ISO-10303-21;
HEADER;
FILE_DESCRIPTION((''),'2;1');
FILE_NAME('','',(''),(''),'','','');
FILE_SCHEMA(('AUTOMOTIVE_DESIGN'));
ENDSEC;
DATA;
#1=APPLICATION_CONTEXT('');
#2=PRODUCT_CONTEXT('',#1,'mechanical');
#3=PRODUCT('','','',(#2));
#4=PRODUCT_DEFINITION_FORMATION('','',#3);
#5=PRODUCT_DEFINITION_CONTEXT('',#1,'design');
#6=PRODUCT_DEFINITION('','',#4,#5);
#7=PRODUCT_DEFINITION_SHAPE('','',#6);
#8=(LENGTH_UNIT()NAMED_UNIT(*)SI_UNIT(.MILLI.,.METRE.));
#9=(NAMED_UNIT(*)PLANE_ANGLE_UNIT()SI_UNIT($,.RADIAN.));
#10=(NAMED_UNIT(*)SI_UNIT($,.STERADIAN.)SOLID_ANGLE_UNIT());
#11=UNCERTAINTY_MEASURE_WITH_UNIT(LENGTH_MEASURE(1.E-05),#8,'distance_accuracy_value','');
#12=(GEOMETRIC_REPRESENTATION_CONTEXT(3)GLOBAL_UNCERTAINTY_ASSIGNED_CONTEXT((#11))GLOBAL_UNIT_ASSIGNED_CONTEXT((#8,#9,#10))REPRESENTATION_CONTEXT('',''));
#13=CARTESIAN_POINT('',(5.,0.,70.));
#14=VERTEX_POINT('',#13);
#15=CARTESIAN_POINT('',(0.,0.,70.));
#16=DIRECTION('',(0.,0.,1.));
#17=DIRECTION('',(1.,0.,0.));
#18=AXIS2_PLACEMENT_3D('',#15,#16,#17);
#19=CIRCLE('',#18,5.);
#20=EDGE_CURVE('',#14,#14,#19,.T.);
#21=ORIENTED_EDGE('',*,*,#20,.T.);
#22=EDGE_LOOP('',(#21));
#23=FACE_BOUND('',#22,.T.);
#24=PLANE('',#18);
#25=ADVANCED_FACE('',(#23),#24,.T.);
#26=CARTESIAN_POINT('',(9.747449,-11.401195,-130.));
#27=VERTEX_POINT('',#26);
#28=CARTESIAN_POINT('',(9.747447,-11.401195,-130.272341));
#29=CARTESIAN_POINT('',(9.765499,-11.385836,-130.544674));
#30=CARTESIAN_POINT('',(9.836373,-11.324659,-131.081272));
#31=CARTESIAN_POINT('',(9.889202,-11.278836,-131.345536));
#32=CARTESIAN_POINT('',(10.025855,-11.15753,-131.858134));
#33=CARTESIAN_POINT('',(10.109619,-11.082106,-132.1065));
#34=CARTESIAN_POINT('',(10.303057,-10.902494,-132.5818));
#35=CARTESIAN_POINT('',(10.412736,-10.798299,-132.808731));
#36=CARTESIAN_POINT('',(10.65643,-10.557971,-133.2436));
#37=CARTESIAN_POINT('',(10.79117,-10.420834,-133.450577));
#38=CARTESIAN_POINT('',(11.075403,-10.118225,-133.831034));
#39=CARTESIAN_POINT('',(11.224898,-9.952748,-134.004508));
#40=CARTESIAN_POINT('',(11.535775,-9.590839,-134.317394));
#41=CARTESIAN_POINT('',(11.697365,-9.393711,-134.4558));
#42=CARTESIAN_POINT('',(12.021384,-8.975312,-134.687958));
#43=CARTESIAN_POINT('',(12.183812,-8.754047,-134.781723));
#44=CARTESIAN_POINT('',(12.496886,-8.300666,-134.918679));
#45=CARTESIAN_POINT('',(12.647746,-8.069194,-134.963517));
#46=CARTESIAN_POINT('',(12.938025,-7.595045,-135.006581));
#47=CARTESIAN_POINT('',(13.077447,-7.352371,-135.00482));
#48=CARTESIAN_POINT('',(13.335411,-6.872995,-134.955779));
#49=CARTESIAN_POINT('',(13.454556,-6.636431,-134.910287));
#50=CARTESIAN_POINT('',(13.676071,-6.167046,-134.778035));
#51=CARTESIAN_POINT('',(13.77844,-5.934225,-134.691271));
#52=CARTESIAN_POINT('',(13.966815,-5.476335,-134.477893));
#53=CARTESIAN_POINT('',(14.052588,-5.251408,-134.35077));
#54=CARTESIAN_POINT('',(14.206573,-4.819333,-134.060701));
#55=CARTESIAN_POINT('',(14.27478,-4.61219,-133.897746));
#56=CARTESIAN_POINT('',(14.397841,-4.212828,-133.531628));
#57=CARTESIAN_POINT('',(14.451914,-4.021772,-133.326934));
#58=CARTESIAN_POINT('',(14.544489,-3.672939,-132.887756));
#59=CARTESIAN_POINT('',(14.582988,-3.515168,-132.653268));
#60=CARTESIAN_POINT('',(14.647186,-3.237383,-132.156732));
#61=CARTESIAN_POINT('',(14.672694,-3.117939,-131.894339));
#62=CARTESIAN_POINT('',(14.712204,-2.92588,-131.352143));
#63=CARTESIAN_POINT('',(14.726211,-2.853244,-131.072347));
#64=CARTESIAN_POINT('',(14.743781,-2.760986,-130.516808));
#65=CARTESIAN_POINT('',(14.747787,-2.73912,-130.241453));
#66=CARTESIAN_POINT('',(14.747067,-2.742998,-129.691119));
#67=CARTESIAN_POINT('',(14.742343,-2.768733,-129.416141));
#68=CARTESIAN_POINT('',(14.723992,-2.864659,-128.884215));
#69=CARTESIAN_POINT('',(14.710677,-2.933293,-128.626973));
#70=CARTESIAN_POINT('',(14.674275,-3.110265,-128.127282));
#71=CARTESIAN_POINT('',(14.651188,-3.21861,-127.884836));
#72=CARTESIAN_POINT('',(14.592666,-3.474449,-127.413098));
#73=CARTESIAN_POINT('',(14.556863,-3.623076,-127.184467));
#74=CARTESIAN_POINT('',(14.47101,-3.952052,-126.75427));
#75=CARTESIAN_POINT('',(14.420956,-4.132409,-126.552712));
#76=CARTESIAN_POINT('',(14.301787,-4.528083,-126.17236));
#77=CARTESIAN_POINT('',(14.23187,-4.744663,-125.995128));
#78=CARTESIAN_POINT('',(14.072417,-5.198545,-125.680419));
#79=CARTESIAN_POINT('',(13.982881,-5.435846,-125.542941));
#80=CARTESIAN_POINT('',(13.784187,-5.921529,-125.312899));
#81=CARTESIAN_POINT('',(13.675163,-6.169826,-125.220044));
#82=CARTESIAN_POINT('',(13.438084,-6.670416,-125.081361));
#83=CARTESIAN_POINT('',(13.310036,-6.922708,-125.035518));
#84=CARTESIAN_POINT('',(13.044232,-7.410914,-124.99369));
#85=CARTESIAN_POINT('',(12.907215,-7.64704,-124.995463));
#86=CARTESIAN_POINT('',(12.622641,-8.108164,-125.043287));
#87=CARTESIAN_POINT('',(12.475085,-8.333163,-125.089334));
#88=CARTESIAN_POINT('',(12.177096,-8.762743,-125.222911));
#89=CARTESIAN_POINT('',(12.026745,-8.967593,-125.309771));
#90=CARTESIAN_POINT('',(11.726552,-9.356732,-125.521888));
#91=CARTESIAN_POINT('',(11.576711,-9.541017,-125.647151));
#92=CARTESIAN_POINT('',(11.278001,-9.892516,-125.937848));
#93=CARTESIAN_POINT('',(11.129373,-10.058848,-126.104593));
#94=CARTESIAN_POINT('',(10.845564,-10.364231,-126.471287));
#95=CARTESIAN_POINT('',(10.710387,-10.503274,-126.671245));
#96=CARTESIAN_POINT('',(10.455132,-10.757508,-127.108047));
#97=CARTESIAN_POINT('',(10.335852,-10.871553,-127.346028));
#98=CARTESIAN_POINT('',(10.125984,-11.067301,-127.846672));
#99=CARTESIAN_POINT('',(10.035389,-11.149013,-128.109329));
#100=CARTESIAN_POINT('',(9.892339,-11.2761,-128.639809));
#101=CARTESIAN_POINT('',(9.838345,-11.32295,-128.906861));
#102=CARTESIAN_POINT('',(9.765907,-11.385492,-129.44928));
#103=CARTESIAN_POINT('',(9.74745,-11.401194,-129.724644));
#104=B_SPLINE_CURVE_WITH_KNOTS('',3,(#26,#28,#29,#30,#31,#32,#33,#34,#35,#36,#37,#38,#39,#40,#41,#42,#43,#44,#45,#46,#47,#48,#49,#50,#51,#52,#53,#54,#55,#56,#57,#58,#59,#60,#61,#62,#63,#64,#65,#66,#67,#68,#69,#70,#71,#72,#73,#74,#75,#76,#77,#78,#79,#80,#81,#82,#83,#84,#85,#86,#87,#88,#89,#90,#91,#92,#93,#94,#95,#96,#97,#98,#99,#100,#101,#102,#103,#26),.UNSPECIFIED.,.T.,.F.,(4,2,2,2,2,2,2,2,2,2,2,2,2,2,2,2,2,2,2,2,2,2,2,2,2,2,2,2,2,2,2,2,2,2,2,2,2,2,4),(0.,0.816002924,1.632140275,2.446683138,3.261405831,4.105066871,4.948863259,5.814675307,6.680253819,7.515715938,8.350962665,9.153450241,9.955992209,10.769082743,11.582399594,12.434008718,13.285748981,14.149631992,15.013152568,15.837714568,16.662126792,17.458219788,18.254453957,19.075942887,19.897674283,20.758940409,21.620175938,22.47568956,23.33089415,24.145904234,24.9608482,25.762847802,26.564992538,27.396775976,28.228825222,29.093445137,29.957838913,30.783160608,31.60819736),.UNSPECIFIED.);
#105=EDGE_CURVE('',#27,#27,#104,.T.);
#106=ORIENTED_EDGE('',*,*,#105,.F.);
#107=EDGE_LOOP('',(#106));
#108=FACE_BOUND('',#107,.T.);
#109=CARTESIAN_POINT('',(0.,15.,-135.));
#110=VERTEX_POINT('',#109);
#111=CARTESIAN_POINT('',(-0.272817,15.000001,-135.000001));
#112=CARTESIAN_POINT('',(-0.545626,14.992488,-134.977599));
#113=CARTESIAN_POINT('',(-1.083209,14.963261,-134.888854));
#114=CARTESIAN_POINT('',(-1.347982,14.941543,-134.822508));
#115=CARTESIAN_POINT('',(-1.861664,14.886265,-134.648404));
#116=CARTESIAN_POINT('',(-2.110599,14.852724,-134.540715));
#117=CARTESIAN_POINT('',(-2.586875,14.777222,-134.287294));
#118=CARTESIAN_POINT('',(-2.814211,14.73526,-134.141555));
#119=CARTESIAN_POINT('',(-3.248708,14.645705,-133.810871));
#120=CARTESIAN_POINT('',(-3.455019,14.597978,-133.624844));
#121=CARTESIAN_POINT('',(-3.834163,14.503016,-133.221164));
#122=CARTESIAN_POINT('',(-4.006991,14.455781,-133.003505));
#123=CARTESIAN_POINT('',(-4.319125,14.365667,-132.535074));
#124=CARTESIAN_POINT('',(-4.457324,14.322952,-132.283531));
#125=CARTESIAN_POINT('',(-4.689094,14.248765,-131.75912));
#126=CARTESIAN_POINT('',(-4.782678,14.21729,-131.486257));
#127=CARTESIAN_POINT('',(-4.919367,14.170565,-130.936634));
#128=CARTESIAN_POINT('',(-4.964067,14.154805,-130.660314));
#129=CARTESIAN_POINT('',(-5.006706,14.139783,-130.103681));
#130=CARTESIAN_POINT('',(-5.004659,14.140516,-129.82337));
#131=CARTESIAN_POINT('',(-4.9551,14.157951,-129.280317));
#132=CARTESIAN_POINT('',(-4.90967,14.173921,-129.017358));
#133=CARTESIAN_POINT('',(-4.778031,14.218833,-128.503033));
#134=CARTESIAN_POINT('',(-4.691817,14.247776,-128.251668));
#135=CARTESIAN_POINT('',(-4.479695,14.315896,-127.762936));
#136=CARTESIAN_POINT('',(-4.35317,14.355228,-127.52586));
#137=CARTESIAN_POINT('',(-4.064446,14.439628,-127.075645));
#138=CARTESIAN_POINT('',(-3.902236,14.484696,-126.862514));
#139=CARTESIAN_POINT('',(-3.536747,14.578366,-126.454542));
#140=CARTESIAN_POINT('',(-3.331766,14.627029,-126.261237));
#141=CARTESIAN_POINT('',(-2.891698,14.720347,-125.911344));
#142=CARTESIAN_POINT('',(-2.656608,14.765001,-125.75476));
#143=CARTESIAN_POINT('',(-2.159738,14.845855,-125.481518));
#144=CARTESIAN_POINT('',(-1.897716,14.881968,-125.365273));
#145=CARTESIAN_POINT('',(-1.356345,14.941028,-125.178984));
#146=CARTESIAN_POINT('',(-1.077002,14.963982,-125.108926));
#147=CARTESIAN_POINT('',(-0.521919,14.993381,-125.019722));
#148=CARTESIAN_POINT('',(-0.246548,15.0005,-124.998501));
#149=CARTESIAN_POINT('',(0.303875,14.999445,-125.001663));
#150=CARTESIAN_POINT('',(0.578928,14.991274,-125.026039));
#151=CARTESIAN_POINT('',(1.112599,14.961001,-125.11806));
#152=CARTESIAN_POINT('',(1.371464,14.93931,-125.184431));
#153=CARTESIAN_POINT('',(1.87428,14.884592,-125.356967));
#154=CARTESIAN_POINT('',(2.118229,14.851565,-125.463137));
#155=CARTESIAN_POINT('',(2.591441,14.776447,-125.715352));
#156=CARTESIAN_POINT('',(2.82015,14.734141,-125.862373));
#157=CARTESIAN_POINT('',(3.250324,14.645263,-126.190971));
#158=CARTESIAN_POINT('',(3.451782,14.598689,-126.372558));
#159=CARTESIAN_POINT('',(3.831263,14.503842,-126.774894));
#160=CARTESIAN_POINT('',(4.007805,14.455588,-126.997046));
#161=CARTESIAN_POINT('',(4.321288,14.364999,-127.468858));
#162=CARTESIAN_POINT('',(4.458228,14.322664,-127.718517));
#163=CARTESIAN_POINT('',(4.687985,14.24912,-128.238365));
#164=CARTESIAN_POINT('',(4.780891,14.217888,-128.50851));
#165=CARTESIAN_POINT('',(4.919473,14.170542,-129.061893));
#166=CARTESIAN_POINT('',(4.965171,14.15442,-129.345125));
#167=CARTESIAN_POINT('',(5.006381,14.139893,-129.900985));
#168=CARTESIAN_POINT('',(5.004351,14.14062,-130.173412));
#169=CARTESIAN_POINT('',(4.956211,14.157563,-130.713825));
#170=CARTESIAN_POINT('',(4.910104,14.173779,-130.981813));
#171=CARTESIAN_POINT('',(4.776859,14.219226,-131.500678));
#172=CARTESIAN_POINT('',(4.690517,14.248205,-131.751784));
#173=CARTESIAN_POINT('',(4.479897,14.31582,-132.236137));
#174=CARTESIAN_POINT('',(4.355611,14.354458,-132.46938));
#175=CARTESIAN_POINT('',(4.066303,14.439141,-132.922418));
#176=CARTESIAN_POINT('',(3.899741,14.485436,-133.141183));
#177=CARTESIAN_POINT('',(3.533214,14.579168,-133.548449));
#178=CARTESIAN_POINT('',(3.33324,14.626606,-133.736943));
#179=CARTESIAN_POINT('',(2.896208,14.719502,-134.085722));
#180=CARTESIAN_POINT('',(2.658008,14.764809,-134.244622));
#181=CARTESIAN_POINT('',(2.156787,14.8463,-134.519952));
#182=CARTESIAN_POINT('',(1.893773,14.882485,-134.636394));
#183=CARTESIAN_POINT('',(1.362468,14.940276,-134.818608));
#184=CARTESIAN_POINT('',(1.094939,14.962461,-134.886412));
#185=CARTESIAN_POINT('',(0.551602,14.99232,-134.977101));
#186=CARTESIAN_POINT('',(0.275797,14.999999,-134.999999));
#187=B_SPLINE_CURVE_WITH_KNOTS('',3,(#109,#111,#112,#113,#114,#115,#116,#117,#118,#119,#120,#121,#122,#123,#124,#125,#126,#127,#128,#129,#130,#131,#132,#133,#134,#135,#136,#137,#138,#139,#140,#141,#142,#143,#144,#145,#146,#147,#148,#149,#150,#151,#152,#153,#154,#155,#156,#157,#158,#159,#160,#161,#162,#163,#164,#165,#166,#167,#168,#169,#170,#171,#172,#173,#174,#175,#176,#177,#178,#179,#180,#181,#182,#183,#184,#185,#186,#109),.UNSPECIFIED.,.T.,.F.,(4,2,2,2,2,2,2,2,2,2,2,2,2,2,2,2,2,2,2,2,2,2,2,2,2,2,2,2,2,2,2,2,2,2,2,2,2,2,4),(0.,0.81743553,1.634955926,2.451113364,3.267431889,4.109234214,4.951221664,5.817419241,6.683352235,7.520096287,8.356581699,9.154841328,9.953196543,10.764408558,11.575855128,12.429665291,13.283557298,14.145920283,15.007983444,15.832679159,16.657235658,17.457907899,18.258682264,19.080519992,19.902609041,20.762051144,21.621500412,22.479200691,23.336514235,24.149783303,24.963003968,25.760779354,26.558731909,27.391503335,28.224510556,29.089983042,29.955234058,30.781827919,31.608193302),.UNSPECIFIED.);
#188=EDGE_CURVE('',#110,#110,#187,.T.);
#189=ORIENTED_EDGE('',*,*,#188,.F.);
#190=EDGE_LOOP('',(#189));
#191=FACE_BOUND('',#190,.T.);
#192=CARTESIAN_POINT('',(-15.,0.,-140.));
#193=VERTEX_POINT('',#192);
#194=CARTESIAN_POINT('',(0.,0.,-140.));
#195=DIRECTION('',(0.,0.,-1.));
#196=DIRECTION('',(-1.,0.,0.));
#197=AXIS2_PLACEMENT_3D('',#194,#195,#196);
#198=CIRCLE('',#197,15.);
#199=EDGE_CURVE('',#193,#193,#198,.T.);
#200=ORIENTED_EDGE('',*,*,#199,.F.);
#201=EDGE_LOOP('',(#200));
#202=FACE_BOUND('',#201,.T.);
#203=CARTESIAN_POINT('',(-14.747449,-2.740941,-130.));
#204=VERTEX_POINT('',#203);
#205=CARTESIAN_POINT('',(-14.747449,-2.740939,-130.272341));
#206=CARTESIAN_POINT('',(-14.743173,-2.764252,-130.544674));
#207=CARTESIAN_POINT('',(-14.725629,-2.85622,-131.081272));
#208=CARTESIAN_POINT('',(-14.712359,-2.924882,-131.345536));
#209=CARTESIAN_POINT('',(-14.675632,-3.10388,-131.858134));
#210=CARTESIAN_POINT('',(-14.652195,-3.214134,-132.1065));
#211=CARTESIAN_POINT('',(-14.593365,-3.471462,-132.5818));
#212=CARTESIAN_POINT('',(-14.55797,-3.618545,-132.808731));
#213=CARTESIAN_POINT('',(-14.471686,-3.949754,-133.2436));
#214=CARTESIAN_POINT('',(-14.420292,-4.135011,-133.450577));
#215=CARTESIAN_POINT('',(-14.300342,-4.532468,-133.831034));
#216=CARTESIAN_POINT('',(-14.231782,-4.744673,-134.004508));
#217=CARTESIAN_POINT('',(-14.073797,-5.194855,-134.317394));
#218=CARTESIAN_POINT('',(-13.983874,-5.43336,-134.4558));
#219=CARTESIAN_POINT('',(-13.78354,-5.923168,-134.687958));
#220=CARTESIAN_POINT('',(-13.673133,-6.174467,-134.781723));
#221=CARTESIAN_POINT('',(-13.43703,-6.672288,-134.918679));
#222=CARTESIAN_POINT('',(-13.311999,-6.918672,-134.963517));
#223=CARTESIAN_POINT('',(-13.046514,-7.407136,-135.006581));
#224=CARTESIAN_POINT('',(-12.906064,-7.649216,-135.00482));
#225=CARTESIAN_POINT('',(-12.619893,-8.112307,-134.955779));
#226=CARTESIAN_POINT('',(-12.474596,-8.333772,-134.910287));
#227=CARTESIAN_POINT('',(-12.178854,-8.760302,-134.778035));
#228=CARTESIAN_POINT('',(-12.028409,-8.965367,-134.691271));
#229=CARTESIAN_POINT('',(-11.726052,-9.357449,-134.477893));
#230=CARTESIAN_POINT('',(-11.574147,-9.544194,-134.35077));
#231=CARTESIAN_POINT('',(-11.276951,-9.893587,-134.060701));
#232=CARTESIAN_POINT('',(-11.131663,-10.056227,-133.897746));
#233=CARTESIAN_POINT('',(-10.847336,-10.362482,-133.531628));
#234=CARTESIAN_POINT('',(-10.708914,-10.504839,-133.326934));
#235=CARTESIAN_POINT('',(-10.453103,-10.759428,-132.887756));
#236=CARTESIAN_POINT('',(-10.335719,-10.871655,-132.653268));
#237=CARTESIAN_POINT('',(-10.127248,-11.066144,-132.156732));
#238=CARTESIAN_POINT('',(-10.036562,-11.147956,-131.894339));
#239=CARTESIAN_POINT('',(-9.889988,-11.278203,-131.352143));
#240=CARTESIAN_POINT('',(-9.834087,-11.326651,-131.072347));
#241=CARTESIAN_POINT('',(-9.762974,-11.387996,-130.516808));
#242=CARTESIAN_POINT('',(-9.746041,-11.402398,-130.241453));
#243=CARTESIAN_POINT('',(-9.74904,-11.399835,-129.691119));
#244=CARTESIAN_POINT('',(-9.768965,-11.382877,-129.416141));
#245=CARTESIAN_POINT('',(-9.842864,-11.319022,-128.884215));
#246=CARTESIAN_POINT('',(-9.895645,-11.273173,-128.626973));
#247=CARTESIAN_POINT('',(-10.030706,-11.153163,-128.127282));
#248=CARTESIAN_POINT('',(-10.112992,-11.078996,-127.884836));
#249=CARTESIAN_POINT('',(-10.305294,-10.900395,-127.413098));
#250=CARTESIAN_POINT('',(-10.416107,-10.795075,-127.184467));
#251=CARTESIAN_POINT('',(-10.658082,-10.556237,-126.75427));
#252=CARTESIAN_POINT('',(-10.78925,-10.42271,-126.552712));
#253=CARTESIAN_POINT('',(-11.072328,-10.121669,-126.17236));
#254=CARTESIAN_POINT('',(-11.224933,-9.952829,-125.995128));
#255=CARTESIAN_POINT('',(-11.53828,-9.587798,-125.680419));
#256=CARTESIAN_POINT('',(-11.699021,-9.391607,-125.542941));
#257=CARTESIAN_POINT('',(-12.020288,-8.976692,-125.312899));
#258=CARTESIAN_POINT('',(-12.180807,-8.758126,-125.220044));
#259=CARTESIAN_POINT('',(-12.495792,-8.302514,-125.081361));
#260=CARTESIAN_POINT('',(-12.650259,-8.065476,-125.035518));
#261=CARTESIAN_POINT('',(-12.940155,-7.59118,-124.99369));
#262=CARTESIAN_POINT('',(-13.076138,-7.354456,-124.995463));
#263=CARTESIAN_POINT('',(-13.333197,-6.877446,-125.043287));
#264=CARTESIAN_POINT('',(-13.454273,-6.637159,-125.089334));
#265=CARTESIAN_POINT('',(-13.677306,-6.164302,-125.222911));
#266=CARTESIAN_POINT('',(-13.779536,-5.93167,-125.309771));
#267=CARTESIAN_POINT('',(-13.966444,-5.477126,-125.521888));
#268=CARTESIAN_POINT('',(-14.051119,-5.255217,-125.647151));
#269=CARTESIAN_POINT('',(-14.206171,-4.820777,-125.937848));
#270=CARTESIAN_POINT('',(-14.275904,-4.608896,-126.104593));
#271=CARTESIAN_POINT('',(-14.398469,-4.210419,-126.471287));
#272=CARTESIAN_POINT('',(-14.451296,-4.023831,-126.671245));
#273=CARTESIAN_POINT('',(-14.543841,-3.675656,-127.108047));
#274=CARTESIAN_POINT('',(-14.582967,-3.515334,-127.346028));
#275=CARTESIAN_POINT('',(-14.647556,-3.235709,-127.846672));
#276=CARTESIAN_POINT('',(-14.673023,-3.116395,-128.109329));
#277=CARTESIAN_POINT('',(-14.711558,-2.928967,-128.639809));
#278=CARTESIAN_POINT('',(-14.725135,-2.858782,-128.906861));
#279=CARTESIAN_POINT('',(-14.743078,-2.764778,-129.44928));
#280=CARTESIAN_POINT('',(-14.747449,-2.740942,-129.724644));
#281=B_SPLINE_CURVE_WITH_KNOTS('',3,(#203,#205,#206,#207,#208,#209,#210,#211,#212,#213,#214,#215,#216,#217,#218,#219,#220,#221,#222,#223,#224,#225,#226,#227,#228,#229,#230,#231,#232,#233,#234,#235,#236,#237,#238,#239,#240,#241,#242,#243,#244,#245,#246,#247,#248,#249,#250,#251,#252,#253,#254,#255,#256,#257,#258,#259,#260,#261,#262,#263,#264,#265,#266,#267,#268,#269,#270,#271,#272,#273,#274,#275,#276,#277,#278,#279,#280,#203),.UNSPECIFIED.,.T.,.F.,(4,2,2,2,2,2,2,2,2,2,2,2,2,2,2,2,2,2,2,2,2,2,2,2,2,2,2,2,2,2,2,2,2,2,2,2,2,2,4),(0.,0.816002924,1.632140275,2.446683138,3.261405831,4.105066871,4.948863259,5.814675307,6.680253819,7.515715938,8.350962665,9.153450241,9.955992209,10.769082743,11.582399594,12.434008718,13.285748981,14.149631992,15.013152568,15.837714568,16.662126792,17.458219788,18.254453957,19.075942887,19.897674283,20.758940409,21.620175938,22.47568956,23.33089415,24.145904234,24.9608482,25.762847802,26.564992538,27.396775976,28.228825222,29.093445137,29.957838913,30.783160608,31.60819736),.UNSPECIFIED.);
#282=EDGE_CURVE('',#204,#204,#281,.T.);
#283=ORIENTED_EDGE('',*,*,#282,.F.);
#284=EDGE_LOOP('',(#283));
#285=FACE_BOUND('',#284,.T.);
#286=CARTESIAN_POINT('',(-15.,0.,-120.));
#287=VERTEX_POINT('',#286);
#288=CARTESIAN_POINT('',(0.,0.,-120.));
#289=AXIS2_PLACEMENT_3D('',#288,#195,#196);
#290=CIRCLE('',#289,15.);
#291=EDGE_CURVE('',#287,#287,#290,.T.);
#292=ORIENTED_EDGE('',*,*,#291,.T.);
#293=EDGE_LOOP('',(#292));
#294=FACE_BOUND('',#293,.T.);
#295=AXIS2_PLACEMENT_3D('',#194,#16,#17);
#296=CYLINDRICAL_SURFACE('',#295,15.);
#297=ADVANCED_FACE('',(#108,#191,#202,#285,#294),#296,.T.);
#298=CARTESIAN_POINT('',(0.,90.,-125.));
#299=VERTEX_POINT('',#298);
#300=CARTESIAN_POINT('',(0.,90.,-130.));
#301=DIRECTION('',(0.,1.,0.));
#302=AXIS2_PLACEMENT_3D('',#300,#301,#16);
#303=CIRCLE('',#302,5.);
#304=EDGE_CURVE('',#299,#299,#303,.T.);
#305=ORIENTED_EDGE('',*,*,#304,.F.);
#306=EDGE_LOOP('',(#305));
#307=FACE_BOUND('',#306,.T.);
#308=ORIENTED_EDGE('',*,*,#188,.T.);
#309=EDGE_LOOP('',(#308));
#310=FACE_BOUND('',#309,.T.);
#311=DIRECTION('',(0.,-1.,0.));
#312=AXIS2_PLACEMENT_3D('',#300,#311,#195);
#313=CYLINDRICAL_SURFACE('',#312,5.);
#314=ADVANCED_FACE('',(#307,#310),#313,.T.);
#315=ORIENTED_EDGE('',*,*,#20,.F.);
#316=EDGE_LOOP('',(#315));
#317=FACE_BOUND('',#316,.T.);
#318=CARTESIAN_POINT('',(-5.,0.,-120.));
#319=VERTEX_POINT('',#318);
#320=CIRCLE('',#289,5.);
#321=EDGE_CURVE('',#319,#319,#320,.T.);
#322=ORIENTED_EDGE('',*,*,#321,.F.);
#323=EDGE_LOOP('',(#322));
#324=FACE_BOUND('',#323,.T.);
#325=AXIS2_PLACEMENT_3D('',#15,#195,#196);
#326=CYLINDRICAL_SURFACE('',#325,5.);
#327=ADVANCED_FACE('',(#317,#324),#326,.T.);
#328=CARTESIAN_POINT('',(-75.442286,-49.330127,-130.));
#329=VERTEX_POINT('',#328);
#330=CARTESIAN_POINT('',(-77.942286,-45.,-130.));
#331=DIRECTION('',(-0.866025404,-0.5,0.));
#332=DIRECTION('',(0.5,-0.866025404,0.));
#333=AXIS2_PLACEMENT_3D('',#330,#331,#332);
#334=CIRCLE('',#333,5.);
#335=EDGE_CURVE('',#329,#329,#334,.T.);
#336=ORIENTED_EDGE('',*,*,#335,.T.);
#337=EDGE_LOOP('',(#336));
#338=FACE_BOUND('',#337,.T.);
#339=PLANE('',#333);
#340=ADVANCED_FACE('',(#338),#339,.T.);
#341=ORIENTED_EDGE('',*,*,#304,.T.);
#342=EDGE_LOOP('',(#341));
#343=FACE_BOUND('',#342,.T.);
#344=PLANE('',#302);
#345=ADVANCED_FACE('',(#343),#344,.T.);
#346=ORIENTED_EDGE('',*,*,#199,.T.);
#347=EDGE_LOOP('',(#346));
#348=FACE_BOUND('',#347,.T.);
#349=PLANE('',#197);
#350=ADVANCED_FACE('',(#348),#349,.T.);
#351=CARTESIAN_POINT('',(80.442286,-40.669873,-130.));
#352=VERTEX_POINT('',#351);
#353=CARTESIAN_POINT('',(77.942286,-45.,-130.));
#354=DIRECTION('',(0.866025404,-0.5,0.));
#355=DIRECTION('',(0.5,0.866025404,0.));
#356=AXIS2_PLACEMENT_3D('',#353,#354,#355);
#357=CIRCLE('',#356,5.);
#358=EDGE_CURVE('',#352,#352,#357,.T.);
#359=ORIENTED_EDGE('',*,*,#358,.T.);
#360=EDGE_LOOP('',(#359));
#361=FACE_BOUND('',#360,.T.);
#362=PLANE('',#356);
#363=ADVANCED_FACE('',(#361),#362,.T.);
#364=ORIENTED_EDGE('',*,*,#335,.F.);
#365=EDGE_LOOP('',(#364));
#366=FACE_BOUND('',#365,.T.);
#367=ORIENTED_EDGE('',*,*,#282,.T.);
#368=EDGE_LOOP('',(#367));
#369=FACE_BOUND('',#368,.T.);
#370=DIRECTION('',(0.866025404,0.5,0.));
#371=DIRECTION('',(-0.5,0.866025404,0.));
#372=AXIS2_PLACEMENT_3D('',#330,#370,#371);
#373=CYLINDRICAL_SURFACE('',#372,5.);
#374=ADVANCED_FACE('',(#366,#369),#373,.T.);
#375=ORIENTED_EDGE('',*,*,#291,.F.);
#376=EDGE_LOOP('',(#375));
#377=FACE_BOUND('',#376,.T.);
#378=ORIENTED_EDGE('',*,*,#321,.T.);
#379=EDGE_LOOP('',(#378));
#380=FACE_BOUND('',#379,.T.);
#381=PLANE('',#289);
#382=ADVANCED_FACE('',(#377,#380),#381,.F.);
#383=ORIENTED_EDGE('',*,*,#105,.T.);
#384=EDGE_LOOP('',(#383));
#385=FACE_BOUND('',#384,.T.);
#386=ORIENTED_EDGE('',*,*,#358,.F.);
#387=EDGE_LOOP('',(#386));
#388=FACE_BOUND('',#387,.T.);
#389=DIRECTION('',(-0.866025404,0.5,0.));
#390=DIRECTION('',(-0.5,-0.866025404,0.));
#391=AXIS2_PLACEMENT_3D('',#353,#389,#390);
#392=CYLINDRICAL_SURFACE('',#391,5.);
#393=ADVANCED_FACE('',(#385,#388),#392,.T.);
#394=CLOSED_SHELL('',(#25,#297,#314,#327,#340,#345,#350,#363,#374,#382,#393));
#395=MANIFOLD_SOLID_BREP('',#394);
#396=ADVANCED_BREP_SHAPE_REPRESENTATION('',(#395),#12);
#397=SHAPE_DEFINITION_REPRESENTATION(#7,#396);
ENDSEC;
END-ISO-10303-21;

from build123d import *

# Parameters (mm, degrees)
SKETCH_1_R      = 5
EXTRUDE_1_DEPTH = 70
SKETCH_2_R      = 5
EXTRUDE_2_DEPTH = 50
SKETCH_3_R      = 15
EXTRUDE_3_DEPTH = 20
SKETCH_4_R      = 5
EXTRUDE_4_DEPTH = 90
SKETCH_8_R      = 5
EXTRUDE_5_DEPTH = 90
SKETCH_9_R      = 5
EXTRUDE_6_DEPTH = 90


with BuildPart() as part:
    # 草图1 → 凸台-拉伸1 (new, symmetric)
    with BuildSketch(Plane.XY):
        Circle(SKETCH_1_R)
    extrude(amount=EXTRUDE_1_DEPTH, both=True)

    # 草图2 → 凸台-拉伸2 (add)
    with BuildSketch(Plane(origin=(0, 0, -70), x_dir=(-1, 0, 0), z_dir=(0, 0, -1))):
        Circle(SKETCH_2_R)
    extrude(amount=EXTRUDE_2_DEPTH)

    # 草图3 → 凸台-拉伸3 (add)
    with BuildSketch(Plane(origin=(0, 0, -120), x_dir=(-1, 0, 0), z_dir=(0, 0, -1))):
        Circle(SKETCH_3_R)
    extrude(amount=EXTRUDE_3_DEPTH)

    # 草图4 → 凸台-拉伸4 (add)
    with BuildSketch(Plane(origin=(0, 0, 0), x_dir=(1, 0, 0), z_dir=(0, 1, 0))):
        with Locations((0, 130)):
            Circle(SKETCH_4_R)
    extrude(amount=EXTRUDE_4_DEPTH)

    # 草图8 → 凸台-拉伸5 (add)
    with BuildSketch(Plane(origin=(0, 0, 0), x_dir=(0, 0, -1), z_dir=(0.8660254037844363, -0.5000000000000042, 0))):
        with Locations((130, 0)):
            Circle(SKETCH_8_R)
    extrude(amount=EXTRUDE_5_DEPTH)

    # 草图9 → 凸台-拉伸6 (add)
    with BuildSketch(Plane(origin=(0, 0, 0), x_dir=(0, 0, 1), z_dir=(-0.8660254037844365, -0.500000000000004, 0))):
        with Locations((-130, 0)):
            Circle(SKETCH_9_R)
    extrude(amount=EXTRUDE_6_DEPTH)


solid = part.part
